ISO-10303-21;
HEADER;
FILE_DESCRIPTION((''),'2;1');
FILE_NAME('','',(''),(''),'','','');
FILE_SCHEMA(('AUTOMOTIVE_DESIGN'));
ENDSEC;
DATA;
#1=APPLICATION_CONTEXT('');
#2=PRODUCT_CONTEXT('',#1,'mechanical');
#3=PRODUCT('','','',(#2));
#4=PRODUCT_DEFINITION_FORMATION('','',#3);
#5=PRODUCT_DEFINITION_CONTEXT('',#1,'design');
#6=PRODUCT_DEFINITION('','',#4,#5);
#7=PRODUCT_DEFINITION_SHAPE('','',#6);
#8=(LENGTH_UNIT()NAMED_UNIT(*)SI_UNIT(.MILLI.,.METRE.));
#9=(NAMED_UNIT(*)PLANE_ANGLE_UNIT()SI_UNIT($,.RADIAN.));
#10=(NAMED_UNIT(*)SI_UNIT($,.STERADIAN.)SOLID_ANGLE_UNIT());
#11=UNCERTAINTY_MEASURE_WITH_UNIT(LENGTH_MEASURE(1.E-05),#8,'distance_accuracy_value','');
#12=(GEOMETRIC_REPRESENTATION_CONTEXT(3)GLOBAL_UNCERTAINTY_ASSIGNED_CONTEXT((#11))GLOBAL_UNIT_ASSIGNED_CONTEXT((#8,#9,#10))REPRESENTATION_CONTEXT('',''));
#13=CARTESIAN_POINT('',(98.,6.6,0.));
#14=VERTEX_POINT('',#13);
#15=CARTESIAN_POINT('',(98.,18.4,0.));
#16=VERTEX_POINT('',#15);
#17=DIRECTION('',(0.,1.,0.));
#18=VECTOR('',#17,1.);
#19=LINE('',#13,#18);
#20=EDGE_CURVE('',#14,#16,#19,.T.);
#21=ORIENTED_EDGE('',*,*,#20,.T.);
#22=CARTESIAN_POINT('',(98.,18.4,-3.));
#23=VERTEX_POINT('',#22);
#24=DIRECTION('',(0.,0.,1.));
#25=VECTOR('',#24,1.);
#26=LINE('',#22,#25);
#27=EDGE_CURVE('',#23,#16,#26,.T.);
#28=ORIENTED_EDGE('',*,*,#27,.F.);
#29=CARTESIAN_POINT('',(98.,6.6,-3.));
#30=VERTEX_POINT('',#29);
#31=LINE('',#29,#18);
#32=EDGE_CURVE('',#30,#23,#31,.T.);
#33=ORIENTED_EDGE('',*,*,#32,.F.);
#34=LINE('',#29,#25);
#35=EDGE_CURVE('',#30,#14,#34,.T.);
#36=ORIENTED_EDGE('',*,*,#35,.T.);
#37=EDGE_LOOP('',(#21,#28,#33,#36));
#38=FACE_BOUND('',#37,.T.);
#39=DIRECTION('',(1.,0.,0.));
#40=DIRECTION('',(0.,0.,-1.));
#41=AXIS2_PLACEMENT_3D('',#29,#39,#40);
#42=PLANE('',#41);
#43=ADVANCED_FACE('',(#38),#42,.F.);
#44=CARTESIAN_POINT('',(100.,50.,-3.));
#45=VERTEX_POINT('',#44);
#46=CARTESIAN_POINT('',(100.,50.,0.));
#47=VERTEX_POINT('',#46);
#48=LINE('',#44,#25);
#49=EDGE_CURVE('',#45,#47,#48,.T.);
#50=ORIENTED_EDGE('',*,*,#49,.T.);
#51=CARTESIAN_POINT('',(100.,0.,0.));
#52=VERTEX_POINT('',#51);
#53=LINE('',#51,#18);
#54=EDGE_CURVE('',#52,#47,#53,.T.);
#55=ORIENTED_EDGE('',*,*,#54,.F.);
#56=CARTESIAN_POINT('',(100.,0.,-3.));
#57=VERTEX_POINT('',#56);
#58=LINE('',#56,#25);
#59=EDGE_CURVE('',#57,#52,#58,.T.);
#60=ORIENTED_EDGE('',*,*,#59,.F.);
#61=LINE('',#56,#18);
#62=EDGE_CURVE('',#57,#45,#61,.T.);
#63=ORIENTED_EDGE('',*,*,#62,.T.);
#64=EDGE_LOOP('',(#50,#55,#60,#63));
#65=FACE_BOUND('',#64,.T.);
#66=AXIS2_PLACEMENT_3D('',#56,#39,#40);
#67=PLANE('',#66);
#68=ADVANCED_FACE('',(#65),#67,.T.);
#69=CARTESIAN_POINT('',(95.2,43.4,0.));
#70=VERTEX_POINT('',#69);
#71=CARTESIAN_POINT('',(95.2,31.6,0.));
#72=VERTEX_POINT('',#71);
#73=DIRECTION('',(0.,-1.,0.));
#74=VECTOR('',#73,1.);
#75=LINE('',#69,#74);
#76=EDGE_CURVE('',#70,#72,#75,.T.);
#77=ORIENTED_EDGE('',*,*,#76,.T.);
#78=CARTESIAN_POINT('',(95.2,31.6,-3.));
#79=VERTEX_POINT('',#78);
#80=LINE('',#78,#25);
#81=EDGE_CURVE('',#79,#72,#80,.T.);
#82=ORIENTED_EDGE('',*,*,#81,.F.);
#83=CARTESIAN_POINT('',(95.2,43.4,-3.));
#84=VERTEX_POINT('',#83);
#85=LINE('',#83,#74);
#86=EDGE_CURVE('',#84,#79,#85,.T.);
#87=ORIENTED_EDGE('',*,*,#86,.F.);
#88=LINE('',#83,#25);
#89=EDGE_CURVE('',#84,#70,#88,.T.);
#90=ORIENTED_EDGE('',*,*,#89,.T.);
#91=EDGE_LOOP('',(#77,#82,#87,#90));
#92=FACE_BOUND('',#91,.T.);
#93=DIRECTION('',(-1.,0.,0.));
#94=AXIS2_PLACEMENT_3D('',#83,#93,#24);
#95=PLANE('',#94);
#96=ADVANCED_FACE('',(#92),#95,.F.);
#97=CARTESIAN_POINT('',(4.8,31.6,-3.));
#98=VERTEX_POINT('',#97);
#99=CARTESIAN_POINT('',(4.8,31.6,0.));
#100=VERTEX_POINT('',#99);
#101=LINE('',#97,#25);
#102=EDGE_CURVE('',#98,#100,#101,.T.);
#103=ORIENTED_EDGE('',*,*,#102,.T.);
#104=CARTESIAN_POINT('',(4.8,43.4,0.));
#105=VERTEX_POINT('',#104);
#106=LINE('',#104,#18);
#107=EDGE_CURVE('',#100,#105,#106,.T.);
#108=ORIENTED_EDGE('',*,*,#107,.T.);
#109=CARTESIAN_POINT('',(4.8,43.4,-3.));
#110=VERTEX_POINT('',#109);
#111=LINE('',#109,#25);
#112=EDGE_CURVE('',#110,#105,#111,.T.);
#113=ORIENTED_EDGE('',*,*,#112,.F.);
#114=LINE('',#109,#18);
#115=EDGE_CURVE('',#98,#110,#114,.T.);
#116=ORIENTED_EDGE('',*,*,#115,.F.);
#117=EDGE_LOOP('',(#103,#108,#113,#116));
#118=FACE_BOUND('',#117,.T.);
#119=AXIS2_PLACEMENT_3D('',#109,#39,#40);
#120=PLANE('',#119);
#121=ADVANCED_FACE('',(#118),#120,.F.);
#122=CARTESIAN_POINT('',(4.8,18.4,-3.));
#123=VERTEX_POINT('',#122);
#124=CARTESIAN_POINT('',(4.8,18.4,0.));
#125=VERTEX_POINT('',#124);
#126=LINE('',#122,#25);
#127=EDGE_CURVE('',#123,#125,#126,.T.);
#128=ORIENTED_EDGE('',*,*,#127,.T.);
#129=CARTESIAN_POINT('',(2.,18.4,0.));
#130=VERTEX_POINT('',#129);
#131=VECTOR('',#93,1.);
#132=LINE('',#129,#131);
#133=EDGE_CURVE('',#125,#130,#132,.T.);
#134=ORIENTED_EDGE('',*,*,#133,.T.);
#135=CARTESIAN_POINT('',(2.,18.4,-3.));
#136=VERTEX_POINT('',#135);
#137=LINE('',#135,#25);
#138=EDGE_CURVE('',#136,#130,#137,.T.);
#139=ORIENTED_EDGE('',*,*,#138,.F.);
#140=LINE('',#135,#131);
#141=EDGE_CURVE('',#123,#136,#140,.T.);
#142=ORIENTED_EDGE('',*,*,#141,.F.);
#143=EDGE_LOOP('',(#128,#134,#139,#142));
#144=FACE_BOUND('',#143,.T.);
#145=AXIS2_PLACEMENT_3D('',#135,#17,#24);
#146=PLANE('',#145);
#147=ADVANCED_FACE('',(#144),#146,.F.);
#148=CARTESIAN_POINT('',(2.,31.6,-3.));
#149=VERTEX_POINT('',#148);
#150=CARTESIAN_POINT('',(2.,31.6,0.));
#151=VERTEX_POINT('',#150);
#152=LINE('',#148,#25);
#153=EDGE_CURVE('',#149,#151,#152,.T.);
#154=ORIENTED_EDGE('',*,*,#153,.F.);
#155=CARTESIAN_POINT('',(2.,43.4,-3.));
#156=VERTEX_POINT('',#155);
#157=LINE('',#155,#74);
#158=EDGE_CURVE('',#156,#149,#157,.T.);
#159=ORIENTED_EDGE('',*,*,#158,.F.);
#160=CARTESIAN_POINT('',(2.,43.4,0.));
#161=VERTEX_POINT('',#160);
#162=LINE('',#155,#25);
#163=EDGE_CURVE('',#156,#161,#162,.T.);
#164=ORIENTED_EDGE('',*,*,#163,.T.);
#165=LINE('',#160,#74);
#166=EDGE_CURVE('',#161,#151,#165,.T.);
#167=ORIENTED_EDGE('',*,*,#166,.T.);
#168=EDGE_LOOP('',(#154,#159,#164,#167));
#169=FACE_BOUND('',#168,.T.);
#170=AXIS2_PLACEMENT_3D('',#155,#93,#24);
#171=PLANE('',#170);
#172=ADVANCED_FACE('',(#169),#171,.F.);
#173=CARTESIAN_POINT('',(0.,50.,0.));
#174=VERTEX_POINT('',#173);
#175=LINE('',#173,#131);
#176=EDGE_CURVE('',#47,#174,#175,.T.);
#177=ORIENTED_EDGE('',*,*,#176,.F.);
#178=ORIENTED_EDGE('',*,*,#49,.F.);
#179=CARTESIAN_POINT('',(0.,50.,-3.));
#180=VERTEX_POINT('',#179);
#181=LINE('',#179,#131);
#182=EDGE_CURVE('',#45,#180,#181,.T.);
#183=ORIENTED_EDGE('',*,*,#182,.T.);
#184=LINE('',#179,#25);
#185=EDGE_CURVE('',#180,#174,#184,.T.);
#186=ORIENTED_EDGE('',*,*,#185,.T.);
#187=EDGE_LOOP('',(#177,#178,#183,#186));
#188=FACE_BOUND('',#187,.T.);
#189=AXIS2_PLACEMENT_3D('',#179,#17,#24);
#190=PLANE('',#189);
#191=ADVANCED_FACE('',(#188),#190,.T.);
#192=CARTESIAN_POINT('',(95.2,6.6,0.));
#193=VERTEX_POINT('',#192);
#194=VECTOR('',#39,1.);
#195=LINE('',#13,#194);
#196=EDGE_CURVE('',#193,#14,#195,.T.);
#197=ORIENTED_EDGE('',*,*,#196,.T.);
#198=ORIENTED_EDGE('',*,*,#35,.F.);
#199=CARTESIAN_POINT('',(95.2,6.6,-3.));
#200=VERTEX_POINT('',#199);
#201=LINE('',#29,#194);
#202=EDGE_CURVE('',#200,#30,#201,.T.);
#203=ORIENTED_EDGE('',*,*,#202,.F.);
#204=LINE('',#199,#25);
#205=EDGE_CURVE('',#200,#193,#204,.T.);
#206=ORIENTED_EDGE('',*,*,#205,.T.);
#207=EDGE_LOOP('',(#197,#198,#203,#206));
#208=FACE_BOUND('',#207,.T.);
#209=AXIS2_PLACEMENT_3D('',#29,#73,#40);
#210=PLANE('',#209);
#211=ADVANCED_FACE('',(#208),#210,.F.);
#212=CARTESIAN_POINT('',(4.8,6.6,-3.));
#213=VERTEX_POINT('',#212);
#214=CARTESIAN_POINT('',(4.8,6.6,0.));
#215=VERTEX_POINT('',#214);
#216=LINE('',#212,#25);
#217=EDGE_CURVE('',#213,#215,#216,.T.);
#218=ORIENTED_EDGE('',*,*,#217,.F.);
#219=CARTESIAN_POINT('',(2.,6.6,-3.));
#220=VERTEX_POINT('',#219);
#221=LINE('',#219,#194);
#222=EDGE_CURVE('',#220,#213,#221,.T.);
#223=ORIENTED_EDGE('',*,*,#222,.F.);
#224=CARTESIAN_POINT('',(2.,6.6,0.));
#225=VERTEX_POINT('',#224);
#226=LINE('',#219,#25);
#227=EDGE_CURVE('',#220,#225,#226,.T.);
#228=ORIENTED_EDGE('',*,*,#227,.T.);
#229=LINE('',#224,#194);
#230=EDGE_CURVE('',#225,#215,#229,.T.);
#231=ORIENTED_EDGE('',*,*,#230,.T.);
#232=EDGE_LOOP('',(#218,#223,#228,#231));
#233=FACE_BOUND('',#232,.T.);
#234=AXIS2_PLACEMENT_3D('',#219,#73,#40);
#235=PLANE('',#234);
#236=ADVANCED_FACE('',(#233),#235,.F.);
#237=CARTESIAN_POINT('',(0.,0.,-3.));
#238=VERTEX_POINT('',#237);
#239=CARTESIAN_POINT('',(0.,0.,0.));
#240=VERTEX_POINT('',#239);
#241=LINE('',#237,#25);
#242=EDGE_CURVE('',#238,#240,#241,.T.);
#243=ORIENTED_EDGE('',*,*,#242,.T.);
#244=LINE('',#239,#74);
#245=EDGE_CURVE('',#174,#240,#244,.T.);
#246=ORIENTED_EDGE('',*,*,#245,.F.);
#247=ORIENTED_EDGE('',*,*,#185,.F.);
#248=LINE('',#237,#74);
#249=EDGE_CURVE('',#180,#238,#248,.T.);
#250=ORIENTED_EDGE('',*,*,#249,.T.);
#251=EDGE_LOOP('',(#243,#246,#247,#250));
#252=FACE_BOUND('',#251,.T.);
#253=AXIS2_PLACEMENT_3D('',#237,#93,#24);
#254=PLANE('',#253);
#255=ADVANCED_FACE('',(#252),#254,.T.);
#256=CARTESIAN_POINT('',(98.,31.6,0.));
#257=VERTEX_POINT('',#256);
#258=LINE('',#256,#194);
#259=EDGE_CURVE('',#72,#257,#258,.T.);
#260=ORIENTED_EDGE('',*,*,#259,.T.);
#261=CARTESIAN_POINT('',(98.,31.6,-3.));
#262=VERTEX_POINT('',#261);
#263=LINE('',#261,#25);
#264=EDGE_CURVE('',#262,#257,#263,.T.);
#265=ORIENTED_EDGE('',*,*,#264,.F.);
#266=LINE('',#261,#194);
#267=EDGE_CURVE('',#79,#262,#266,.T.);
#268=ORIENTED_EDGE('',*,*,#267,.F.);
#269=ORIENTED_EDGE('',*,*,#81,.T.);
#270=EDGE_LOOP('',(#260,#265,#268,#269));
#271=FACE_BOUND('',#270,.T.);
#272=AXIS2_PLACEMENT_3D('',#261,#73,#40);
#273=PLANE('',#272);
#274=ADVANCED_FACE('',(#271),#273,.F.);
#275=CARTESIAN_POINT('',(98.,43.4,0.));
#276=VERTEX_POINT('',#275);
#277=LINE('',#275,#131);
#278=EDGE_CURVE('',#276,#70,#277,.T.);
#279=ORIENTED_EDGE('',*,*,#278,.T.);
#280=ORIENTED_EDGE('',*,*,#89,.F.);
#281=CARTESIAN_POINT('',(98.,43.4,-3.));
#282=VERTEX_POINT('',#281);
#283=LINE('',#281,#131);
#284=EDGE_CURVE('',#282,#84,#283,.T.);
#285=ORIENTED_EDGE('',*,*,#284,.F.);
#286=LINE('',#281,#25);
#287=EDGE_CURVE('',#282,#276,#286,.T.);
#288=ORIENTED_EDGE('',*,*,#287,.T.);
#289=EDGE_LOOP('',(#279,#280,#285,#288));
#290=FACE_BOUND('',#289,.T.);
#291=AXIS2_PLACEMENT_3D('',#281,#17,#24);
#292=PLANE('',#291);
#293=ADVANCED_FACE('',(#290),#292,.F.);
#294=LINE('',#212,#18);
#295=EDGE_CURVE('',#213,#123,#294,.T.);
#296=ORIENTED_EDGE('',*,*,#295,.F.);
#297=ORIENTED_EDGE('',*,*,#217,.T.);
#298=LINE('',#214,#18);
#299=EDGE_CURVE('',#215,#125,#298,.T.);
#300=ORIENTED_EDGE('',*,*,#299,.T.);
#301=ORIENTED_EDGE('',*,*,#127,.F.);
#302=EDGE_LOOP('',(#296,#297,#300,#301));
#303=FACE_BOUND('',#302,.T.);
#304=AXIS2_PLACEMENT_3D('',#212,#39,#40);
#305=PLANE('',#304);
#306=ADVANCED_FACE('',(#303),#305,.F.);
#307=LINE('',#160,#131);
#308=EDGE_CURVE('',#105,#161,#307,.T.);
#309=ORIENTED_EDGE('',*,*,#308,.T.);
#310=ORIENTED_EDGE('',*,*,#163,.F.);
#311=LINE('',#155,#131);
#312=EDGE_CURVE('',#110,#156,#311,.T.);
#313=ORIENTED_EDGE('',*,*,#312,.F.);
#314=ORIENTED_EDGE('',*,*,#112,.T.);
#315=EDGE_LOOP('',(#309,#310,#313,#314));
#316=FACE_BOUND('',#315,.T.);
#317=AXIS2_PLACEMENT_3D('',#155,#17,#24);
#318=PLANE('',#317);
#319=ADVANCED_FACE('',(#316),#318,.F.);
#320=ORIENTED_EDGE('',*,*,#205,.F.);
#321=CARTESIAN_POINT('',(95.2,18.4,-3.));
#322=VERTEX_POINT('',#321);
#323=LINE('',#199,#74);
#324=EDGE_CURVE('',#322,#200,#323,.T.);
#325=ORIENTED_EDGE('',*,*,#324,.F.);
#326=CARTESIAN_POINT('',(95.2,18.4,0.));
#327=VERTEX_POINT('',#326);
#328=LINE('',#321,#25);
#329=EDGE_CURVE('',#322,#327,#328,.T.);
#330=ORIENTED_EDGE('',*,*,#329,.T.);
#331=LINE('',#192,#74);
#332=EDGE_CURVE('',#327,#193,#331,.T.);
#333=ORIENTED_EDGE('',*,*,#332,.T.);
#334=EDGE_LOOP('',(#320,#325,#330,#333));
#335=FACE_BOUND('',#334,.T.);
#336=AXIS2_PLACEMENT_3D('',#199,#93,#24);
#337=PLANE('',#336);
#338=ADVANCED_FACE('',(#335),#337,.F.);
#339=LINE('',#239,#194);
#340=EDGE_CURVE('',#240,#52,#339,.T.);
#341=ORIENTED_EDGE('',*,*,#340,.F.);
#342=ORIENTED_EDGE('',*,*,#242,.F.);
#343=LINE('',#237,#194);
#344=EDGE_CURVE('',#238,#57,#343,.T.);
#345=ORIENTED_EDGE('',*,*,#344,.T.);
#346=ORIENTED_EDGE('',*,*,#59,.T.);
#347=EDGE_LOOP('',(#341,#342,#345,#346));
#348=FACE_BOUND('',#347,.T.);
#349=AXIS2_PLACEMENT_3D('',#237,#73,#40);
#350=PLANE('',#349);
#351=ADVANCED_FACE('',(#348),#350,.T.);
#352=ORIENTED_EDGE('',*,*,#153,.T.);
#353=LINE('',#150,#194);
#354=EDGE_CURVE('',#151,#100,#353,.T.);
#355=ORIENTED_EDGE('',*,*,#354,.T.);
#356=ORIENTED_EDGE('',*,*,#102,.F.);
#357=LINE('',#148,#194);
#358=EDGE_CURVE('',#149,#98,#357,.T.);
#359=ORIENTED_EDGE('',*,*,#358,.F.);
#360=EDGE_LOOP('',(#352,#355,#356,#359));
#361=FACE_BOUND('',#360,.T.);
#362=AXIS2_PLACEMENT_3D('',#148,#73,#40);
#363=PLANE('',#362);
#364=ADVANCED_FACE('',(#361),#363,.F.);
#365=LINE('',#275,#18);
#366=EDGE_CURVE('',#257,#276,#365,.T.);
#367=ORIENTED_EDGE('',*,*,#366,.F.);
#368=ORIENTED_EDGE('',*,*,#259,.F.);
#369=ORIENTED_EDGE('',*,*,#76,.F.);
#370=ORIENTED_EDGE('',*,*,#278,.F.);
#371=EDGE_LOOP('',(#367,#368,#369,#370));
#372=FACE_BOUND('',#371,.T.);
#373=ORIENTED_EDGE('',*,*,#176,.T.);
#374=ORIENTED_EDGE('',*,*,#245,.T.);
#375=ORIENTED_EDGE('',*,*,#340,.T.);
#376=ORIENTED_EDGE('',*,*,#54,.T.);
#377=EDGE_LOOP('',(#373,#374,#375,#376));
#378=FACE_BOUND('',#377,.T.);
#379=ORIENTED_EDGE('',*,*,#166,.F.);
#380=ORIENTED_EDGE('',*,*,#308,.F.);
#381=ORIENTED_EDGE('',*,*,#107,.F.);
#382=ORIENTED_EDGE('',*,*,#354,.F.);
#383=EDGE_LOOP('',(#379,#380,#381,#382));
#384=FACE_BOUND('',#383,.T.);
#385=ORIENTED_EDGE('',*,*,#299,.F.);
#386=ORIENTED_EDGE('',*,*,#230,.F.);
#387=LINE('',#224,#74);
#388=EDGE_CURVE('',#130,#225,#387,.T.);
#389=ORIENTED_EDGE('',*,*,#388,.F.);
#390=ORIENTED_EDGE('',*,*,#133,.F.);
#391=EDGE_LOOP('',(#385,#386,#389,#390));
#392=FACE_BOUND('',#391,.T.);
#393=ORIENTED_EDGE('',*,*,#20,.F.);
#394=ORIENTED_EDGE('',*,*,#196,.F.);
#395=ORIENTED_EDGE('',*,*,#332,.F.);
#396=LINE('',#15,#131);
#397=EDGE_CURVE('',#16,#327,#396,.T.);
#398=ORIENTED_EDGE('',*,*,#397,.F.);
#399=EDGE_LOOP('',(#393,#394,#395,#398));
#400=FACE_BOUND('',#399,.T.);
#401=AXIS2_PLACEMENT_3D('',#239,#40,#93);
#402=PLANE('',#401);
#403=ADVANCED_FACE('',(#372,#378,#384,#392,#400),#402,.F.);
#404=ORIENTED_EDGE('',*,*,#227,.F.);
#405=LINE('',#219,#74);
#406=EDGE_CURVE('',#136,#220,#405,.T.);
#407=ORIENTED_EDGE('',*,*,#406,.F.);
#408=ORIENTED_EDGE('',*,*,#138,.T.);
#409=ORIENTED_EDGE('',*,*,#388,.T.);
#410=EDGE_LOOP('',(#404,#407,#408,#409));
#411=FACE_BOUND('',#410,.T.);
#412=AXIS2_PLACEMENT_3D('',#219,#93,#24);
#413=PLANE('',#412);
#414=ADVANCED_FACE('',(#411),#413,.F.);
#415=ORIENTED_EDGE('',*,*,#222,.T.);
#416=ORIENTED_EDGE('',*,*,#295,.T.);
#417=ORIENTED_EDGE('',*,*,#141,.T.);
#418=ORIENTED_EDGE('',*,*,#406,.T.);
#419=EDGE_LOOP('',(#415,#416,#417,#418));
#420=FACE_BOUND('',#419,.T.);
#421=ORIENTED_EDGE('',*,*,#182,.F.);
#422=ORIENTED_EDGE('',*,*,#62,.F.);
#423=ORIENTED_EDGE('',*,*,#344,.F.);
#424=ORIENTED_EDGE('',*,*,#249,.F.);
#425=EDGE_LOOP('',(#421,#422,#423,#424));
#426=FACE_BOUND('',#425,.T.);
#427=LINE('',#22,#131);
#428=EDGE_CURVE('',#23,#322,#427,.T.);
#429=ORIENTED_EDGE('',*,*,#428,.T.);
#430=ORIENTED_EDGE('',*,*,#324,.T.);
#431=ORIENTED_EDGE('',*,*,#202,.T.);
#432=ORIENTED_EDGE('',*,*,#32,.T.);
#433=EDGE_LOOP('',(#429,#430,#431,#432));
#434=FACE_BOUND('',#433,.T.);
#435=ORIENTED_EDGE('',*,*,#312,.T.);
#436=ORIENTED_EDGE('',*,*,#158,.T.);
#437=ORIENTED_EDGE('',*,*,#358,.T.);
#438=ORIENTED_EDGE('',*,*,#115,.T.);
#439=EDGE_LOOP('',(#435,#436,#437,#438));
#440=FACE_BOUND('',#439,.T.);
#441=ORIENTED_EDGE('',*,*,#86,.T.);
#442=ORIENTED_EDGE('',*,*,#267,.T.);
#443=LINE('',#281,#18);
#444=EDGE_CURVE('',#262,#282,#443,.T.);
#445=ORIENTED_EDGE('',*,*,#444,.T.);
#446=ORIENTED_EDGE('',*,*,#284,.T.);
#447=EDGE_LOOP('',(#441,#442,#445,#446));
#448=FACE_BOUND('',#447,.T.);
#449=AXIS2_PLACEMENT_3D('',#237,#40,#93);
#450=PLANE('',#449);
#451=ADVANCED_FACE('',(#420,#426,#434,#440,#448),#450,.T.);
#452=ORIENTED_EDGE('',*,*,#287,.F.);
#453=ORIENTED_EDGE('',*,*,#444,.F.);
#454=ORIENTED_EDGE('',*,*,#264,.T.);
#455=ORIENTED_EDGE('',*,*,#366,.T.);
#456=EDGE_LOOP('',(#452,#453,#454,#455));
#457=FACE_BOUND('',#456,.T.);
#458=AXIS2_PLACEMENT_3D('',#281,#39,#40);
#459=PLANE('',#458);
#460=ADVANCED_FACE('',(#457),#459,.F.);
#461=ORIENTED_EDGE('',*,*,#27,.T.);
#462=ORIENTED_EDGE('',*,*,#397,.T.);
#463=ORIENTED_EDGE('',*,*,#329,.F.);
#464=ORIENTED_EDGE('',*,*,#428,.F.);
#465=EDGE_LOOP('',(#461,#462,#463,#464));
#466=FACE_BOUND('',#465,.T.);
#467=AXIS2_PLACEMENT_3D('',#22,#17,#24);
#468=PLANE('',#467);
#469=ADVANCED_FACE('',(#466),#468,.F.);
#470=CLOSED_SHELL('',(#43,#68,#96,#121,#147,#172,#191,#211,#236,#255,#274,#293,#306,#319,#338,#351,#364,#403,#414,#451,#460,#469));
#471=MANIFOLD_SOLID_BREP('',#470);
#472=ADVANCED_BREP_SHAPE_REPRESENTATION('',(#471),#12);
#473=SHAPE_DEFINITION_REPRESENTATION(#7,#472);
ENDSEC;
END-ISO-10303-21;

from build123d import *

# Parameters (mm, degrees)
SKETCH_1_W      = 100
SKETCH_1_H      = 50
SKETCH_1_W_2    = 2.8
SKETCH_1_H_2    = 11.8
EXTRUDE_1_DEPTH = 3


with BuildPart() as part:
    # Эскиз1 → Бобышка-Вытянуть1 (new body)
    with BuildSketch(Plane.XY):
        with Locations((50, 25)):
            Rectangle(SKETCH_1_W, SKETCH_1_H)
        with Locations((3.4, 37.5)):
            Rectangle(SKETCH_1_W_2, SKETCH_1_H_2, mode=Mode.SUBTRACT)
        with Locations((3.4, 12.5)):
            Rectangle(SKETCH_1_W_2, SKETCH_1_H_2, mode=Mode.SUBTRACT)
        with Locations((96.6, 12.5)):
            Rectangle(SKETCH_1_W_2, SKETCH_1_H_2, mode=Mode.SUBTRACT)
        with Locations((96.6, 37.5)):
            Rectangle(SKETCH_1_W_2, SKETCH_1_H_2, mode=Mode.SUBTRACT)
    extrude(amount=-EXTRUDE_1_DEPTH)


solid = part.part
